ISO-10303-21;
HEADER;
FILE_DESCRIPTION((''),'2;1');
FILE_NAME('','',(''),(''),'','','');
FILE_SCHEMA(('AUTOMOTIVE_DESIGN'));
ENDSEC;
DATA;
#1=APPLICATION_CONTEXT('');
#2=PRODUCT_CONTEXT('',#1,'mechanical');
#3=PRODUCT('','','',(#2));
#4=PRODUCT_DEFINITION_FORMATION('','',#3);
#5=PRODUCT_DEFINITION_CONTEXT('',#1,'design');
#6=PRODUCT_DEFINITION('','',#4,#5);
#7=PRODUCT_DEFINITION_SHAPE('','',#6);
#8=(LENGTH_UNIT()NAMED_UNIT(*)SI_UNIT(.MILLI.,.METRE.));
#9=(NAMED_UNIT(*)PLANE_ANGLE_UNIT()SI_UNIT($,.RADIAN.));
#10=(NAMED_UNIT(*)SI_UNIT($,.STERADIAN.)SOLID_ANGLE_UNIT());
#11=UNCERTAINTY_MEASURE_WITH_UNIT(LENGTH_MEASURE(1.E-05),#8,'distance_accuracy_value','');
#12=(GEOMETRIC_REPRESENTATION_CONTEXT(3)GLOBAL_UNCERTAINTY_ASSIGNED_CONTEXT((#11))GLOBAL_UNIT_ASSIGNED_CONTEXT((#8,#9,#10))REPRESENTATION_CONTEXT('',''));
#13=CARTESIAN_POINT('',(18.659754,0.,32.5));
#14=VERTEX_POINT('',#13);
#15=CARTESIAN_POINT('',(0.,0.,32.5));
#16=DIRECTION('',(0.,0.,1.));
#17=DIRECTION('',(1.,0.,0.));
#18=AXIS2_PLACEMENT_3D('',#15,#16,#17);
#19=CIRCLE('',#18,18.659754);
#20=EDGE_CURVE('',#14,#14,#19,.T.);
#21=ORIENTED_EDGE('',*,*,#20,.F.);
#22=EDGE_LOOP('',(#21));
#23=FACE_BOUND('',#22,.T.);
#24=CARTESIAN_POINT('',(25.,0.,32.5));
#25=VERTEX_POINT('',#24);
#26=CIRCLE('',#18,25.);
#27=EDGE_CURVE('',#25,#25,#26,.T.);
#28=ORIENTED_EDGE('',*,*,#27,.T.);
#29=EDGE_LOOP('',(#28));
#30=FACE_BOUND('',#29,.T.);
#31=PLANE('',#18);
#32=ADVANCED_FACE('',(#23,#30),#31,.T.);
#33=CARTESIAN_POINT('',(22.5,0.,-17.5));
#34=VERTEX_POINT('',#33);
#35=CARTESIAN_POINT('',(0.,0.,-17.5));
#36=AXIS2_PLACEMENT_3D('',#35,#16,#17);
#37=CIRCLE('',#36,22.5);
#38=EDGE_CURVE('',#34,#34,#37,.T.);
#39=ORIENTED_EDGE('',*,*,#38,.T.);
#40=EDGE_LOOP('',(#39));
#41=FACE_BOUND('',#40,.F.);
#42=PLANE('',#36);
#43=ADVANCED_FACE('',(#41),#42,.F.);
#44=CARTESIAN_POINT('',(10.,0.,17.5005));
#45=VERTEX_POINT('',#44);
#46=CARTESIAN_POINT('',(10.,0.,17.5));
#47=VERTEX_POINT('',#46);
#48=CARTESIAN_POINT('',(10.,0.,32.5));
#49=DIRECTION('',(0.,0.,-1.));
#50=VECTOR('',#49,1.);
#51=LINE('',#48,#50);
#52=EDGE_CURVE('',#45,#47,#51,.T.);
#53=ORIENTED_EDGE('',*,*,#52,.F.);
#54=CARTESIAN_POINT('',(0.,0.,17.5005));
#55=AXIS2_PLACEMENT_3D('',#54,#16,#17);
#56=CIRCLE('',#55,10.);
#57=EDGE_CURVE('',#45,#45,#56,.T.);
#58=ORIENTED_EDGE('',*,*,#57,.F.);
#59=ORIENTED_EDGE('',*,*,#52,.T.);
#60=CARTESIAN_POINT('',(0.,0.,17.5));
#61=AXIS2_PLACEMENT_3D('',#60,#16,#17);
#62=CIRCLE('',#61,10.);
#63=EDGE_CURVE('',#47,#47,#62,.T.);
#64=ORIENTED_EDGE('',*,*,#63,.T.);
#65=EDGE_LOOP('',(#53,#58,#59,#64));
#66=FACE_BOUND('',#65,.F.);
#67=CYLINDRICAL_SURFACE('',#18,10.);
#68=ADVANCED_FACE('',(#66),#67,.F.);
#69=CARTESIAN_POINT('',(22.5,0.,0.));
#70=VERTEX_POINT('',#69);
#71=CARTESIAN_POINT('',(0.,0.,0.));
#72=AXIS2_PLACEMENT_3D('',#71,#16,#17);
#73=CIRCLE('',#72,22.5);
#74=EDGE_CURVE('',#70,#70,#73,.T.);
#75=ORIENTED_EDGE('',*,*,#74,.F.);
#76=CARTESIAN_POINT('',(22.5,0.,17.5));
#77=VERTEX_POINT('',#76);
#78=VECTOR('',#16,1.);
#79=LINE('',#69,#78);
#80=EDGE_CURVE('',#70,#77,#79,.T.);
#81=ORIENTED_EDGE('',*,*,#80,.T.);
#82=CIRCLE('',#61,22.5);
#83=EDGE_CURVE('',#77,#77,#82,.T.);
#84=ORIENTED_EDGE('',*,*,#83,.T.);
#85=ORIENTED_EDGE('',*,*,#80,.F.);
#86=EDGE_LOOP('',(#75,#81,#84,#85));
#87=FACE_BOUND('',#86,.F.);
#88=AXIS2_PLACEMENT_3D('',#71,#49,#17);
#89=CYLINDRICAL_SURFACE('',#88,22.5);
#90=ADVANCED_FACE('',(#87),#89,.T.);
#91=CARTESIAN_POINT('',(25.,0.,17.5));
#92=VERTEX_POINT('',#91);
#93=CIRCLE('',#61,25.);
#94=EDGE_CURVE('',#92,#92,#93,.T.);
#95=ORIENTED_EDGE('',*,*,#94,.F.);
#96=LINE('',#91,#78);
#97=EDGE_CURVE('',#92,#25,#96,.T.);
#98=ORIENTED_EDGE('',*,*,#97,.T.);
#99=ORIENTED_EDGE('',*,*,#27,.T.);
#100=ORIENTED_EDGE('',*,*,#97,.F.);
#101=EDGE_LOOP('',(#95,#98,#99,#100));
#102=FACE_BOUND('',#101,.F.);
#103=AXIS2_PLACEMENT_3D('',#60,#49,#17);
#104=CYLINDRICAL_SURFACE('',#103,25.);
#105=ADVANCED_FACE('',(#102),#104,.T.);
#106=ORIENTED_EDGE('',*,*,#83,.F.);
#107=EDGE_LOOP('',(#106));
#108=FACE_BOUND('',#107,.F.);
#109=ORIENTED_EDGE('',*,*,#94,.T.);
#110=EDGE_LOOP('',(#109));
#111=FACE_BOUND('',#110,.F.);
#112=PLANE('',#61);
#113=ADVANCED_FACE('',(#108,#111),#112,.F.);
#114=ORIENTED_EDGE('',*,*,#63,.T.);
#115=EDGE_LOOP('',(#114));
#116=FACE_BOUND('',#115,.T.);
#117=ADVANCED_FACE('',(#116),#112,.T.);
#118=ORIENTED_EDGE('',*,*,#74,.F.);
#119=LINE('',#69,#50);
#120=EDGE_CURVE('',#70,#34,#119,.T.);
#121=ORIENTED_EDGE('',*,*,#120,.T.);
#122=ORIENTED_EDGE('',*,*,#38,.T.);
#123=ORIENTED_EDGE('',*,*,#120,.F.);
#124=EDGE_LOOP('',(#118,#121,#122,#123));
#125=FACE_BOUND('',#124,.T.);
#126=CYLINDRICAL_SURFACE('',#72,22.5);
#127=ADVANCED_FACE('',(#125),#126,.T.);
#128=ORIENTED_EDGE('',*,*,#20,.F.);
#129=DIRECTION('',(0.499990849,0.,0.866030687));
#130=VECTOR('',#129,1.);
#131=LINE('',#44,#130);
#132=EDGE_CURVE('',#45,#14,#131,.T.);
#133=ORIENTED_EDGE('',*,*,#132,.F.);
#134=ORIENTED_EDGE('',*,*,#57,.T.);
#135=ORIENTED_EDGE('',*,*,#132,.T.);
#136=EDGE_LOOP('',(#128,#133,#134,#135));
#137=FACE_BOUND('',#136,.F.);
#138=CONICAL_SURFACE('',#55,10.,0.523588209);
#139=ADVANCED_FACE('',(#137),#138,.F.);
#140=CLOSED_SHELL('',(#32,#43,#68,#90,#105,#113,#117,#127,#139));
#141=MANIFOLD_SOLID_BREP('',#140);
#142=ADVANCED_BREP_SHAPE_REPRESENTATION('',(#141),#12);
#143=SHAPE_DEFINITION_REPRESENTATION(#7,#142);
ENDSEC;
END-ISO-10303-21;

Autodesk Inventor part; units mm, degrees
ref_plane "YZ Plane" through (0, 0, 0) normal (1, 0, 0) x (0, 1, 0)
ref_plane "XZ Plane" through (0, 0, 0) normal (0, 1, 0) x (-1, 0, 0)
ref_plane "XY Plane" through (0, 0, 0) normal (0, 0, 1) x (1, 0, 0)
sketch "Skizze1" plane through (0, 0, 0) normal (0, 0, 1) x (1, 0, 0)
  circle A0 centre (0, 0) radius 22.5
  dimension "d0" = 45
extrude "Extrusion1" add sketch "Skizze1" along normal mid plane 35
sketch "Skizze2" plane through (0, 0, 17.5) normal (0, 0, 1) x (1, 0, 0)
  circle A0 centre (0, 0) radius 22.5 projected
  circle A1 centre (0, 0) radius 25
  dimension "d3" = 50
extrude "Extrusion2" add sketch "Skizze2" along normal blind 15 contours A0 | A1
sketch "Skizze4" plane through (0, 0, 32.5) normal (0, 0, 1) x (1, 0, 0)
  circle A0 centre (0, 0) radius 25 projected
  circle A1 centre (0, 0) radius 10
  dimension "d6" = 20
extrude "Extrusion3" cut sketch "Skizze4" against normal blind 15 contours A1
chamfer "Fasen1" distance 15 angle 30 1 edges at (-10, 0, 32.5) measured on face at (9.9676, -0.8047, 22.5)
properties part number "Magnethalter"
